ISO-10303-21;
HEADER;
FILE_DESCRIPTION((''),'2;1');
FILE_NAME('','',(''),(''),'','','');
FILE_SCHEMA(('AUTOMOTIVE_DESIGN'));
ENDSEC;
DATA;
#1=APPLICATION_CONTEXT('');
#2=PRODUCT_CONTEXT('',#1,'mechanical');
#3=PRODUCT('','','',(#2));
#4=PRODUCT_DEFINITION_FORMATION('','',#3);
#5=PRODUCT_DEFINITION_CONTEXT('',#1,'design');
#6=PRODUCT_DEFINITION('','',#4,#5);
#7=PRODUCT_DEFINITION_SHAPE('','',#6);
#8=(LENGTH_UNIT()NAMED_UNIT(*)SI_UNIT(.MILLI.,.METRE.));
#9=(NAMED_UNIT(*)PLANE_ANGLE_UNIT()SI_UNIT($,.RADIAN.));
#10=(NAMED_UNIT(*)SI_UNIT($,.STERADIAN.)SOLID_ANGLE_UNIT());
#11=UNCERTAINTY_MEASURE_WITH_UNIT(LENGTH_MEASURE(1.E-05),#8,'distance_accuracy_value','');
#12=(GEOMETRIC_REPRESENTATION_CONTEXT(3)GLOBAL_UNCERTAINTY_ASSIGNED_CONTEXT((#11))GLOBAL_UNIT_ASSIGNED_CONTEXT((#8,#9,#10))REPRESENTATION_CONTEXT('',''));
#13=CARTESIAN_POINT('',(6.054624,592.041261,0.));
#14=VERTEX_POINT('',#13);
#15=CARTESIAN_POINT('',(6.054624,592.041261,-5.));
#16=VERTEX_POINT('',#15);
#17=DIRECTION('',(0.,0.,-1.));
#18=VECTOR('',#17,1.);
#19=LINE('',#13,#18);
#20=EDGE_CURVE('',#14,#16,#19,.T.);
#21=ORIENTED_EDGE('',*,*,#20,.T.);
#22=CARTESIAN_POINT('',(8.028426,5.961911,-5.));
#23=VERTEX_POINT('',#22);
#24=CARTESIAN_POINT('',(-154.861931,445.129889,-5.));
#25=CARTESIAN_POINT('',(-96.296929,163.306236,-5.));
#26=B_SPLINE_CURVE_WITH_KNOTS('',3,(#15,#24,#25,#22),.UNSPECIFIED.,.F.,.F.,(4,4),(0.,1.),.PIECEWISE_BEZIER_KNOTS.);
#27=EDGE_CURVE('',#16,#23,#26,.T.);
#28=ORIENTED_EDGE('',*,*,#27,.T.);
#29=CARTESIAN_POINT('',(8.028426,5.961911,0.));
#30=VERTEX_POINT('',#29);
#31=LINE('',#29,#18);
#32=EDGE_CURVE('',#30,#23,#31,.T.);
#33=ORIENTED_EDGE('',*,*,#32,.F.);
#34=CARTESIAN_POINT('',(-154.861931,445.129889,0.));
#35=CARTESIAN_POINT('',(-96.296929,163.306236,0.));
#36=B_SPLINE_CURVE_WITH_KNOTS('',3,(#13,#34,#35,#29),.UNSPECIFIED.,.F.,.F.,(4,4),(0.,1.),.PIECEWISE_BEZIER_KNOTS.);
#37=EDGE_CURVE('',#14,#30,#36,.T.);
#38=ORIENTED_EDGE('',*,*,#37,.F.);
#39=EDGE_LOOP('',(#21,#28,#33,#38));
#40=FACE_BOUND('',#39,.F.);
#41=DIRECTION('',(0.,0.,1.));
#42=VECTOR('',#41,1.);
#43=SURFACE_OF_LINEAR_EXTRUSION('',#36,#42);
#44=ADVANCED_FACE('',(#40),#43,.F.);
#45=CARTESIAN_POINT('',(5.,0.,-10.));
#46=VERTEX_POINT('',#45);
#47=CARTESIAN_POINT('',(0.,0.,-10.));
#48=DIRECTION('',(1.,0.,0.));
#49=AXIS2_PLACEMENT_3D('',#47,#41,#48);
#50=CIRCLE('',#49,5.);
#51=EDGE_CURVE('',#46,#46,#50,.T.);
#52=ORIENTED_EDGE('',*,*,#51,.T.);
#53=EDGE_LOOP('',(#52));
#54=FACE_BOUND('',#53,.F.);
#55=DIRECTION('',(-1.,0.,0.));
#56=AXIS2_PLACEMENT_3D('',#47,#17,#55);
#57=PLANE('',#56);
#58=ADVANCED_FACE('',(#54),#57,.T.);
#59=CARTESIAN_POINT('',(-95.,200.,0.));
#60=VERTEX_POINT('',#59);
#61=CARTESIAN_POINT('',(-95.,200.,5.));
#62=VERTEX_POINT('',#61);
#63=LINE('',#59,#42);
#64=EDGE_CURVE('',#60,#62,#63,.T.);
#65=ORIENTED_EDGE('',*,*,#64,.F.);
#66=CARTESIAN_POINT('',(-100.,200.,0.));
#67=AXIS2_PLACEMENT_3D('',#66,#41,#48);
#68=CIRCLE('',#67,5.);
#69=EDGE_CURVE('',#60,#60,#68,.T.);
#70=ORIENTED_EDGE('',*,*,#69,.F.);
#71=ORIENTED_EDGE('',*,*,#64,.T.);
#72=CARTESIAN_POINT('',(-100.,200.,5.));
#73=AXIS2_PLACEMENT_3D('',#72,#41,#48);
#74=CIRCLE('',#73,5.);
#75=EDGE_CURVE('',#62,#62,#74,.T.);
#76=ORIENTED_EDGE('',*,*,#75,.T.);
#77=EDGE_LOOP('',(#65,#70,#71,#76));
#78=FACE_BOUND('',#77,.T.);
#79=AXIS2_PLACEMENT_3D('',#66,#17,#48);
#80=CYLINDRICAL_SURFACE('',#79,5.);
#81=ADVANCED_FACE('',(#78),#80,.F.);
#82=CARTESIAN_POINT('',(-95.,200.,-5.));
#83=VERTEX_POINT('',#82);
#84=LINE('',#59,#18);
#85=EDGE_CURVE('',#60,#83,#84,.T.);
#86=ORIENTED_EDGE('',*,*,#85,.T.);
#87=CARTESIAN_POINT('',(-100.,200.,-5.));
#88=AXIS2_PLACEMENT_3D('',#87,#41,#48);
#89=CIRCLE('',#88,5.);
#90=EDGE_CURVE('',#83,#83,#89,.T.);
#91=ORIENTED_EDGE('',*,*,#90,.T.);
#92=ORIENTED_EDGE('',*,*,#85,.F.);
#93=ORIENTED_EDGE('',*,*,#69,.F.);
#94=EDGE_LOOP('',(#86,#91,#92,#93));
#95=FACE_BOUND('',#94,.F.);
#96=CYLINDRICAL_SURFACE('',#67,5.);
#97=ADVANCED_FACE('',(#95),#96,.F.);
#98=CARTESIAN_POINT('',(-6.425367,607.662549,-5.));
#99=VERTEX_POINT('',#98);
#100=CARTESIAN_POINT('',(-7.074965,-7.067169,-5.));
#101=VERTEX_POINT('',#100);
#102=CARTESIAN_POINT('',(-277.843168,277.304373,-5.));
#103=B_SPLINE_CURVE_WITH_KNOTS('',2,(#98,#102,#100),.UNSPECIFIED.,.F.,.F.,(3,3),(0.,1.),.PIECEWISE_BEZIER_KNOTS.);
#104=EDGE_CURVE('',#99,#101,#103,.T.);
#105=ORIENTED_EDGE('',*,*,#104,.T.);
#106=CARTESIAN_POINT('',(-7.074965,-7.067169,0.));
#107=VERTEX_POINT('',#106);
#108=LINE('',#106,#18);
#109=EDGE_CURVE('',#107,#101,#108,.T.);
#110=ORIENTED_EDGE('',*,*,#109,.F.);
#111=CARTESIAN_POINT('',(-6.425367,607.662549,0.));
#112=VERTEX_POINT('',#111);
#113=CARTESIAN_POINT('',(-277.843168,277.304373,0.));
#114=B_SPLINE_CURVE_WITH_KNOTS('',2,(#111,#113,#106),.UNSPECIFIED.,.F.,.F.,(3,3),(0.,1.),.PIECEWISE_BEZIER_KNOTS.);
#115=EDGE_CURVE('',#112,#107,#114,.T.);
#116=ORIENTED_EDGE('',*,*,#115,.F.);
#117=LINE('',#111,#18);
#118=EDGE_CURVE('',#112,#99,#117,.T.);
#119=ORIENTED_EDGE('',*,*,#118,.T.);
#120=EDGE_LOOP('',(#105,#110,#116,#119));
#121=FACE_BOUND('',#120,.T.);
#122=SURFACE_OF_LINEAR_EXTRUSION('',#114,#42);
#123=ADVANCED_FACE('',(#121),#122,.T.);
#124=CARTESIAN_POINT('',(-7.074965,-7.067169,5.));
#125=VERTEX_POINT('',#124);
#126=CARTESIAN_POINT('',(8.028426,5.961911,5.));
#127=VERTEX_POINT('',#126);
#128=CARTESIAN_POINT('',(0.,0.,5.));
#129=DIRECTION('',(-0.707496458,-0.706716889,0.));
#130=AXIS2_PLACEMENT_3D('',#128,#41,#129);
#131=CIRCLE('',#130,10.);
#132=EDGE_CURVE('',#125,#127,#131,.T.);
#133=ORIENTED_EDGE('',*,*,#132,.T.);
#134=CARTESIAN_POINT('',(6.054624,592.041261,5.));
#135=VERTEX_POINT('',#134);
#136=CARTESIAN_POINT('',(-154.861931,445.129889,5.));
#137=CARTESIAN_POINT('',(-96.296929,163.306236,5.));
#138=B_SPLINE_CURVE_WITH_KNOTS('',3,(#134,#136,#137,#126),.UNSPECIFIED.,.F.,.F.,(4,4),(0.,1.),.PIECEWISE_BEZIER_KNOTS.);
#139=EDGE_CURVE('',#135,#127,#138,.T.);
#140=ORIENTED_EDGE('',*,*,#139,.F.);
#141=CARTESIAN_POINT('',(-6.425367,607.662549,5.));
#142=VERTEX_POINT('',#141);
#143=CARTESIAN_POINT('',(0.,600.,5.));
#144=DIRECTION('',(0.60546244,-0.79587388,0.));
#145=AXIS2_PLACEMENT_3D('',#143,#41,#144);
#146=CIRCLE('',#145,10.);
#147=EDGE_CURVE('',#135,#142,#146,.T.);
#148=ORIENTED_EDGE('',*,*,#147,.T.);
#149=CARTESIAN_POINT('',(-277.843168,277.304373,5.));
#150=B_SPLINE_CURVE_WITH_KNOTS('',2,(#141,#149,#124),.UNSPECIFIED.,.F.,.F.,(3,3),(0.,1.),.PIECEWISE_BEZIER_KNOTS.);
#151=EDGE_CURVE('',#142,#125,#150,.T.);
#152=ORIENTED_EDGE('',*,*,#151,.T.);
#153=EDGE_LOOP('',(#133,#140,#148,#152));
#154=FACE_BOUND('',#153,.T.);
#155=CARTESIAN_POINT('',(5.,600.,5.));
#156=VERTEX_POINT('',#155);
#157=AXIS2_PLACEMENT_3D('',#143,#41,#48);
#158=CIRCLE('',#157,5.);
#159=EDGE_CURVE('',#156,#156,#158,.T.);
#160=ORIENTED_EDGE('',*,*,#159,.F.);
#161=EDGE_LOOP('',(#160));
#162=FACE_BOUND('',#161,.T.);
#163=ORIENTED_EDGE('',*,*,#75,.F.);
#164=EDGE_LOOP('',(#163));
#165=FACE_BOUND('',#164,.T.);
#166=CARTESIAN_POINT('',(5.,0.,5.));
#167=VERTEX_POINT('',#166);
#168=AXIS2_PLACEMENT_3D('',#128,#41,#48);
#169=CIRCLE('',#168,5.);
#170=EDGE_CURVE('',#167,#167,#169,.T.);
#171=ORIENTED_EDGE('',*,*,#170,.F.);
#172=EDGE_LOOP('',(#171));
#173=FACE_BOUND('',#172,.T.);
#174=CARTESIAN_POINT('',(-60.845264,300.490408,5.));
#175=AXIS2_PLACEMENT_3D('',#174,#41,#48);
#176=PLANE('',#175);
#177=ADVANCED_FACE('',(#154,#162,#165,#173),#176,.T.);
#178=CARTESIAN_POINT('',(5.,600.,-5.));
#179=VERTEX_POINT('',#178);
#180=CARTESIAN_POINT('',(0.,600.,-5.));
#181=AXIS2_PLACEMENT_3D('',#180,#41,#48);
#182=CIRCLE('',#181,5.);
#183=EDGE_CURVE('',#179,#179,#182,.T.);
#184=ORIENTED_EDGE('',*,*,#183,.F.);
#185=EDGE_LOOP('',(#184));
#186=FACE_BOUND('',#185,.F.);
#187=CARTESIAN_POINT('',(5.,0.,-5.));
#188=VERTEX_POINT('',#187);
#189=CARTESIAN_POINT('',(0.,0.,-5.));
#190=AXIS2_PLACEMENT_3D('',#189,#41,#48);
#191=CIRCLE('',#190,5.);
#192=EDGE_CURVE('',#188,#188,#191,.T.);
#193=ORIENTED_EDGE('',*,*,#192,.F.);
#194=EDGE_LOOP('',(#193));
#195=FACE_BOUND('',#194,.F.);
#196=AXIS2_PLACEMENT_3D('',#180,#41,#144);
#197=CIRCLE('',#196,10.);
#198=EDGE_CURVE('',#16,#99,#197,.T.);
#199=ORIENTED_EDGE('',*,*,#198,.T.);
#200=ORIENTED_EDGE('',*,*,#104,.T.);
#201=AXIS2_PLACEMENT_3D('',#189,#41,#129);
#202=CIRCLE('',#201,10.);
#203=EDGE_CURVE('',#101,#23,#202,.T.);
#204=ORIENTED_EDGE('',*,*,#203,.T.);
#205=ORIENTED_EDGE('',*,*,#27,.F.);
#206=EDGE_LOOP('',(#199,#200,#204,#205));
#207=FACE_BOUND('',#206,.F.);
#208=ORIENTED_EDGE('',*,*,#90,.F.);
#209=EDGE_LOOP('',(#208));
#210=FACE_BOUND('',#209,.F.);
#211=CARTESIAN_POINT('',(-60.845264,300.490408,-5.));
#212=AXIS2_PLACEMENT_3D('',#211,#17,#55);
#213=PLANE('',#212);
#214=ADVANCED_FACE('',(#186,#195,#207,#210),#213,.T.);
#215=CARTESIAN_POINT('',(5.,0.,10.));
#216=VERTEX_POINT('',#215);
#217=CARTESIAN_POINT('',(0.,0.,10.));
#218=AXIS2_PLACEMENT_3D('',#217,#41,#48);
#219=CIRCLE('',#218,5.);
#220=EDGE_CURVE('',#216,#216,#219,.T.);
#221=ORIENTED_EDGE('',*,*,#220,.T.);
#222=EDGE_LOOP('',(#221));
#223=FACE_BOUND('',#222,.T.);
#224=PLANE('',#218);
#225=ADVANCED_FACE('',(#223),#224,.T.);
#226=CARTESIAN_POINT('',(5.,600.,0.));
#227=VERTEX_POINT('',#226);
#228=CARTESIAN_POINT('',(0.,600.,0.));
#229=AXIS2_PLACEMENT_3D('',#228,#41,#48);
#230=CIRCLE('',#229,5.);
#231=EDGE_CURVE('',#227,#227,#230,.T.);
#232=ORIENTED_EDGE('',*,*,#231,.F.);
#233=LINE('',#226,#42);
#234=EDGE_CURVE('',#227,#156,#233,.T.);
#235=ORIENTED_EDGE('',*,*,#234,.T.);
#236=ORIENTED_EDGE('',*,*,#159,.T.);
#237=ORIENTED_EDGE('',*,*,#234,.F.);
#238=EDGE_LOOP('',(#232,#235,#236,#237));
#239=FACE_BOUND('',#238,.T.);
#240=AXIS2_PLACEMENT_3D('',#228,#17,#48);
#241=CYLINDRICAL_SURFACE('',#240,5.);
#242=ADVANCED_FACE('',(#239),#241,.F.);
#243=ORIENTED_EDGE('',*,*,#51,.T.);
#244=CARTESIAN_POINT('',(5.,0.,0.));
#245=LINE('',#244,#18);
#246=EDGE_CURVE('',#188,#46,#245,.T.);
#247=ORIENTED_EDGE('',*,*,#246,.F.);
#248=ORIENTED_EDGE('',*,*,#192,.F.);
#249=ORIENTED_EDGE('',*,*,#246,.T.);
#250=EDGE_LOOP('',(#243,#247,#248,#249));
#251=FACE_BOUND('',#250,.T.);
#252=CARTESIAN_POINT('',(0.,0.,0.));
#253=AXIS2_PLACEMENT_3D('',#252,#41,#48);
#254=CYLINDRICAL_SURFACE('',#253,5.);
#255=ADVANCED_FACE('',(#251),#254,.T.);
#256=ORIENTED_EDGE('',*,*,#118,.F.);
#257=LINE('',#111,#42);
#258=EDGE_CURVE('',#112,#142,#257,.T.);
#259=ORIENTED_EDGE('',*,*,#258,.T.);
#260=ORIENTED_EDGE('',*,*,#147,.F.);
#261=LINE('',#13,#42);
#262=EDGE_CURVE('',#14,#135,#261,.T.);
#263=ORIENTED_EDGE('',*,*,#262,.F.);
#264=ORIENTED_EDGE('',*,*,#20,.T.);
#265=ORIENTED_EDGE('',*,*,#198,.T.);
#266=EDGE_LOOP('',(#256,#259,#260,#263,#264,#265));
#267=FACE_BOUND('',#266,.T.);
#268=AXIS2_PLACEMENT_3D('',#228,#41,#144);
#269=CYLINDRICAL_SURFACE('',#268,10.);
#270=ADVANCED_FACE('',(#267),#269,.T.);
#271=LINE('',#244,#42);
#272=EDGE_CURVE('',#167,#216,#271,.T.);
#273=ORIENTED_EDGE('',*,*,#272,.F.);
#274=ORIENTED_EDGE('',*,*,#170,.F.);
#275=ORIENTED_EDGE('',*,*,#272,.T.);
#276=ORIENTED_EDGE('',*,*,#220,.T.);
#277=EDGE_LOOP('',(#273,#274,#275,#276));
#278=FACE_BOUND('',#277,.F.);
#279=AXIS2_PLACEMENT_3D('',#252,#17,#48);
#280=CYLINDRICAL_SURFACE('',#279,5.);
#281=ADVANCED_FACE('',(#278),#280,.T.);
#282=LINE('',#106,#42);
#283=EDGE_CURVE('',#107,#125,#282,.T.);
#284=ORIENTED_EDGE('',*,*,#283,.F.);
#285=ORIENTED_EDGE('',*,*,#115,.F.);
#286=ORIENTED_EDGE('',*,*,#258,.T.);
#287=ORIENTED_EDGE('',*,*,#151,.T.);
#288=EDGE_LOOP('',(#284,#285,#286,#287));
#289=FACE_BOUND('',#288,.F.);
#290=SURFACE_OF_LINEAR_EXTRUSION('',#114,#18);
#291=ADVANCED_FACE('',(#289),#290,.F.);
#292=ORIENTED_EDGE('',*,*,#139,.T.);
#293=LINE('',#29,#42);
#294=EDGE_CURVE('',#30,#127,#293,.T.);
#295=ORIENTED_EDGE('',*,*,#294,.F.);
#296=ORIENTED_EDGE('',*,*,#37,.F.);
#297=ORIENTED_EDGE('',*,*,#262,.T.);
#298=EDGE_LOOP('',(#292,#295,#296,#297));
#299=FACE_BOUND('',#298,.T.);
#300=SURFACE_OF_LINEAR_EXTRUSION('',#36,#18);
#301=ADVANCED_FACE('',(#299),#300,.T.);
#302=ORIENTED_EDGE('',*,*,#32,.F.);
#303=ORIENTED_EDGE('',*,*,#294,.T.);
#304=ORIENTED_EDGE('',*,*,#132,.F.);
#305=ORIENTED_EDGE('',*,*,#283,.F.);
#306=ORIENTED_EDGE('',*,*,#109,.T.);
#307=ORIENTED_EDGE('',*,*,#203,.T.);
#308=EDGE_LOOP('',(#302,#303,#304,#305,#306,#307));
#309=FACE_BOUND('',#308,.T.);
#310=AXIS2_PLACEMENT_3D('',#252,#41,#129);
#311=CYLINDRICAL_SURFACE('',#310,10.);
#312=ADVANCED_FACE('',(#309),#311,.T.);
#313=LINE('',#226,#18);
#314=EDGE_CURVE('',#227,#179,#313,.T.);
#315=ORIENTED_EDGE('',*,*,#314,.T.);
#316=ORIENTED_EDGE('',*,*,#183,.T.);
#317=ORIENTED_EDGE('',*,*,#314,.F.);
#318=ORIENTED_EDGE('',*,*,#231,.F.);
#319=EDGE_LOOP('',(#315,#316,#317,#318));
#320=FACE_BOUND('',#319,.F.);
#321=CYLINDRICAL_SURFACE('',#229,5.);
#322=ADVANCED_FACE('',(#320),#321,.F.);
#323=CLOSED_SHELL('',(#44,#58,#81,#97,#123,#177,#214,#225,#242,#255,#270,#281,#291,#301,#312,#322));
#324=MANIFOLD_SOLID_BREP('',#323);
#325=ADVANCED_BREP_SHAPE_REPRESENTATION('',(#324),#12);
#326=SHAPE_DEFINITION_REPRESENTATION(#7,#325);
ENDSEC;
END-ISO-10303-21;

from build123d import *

# Parameters (mm, degrees)
SKETCH1_R           = 5
BOSS_EXTRUDE1_DEPTH = 5
SKETCH1_3_R         = 5
BOSS_EXTRUDE2_DEPTH = 10


with BuildPart() as part:
    # Sketch1 → Boss-Extrude1 (new body)
    with BuildSketch(Plane.XY):
        with BuildLine():
            ThreePointArc((-7.07496458, -7.067168895), (6.531960096, -7.571888622), (8.028425575, 5.961911001))
            add(Edge.make_bspline(
                [(6.054624404, 592.041261198), (-154.861931166, 445.129888812), (-96.296929143, 163.306236232), (8.028425575, 5.961911001)],
                knots=[0, 0, 0, 0, 1, 1, 1, 1], degree=3))
            ThreePointArc((6.054624404, 592.041261198), (7.812843537, 606.241752628), (-6.425366596, 607.662549452))
            add(Edge.make_bspline(
                [(-6.425366596, 607.662549452), (-277.843168438, 277.304372569), (-7.07496458, -7.067168895)],
                knots=[0, 0, 0, 1, 1, 1], degree=2))
        make_face()
        Circle(SKETCH1_R, mode=Mode.SUBTRACT)
        with Locations((-100, 200)):
            Circle(SKETCH1_R, mode=Mode.SUBTRACT)
        with Locations((0, 600)):
            Circle(SKETCH1_R, mode=Mode.SUBTRACT)
    boss_extrude1 = extrude(amount=BOSS_EXTRUDE1_DEPTH)

    # Sketch1<3> → Boss-Extrude2 (add)
    with BuildSketch(Plane.XY):
        Circle(SKETCH1_3_R)
    boss_extrude2 = extrude(amount=BOSS_EXTRUDE2_DEPTH)

    # Mirror1: Boss-Extrude1, Boss-Extrude2 across Front Plane
    add(boss_extrude1.mirror(Plane.XY))
    add(boss_extrude2.mirror(Plane.XY))


solid = part.part
